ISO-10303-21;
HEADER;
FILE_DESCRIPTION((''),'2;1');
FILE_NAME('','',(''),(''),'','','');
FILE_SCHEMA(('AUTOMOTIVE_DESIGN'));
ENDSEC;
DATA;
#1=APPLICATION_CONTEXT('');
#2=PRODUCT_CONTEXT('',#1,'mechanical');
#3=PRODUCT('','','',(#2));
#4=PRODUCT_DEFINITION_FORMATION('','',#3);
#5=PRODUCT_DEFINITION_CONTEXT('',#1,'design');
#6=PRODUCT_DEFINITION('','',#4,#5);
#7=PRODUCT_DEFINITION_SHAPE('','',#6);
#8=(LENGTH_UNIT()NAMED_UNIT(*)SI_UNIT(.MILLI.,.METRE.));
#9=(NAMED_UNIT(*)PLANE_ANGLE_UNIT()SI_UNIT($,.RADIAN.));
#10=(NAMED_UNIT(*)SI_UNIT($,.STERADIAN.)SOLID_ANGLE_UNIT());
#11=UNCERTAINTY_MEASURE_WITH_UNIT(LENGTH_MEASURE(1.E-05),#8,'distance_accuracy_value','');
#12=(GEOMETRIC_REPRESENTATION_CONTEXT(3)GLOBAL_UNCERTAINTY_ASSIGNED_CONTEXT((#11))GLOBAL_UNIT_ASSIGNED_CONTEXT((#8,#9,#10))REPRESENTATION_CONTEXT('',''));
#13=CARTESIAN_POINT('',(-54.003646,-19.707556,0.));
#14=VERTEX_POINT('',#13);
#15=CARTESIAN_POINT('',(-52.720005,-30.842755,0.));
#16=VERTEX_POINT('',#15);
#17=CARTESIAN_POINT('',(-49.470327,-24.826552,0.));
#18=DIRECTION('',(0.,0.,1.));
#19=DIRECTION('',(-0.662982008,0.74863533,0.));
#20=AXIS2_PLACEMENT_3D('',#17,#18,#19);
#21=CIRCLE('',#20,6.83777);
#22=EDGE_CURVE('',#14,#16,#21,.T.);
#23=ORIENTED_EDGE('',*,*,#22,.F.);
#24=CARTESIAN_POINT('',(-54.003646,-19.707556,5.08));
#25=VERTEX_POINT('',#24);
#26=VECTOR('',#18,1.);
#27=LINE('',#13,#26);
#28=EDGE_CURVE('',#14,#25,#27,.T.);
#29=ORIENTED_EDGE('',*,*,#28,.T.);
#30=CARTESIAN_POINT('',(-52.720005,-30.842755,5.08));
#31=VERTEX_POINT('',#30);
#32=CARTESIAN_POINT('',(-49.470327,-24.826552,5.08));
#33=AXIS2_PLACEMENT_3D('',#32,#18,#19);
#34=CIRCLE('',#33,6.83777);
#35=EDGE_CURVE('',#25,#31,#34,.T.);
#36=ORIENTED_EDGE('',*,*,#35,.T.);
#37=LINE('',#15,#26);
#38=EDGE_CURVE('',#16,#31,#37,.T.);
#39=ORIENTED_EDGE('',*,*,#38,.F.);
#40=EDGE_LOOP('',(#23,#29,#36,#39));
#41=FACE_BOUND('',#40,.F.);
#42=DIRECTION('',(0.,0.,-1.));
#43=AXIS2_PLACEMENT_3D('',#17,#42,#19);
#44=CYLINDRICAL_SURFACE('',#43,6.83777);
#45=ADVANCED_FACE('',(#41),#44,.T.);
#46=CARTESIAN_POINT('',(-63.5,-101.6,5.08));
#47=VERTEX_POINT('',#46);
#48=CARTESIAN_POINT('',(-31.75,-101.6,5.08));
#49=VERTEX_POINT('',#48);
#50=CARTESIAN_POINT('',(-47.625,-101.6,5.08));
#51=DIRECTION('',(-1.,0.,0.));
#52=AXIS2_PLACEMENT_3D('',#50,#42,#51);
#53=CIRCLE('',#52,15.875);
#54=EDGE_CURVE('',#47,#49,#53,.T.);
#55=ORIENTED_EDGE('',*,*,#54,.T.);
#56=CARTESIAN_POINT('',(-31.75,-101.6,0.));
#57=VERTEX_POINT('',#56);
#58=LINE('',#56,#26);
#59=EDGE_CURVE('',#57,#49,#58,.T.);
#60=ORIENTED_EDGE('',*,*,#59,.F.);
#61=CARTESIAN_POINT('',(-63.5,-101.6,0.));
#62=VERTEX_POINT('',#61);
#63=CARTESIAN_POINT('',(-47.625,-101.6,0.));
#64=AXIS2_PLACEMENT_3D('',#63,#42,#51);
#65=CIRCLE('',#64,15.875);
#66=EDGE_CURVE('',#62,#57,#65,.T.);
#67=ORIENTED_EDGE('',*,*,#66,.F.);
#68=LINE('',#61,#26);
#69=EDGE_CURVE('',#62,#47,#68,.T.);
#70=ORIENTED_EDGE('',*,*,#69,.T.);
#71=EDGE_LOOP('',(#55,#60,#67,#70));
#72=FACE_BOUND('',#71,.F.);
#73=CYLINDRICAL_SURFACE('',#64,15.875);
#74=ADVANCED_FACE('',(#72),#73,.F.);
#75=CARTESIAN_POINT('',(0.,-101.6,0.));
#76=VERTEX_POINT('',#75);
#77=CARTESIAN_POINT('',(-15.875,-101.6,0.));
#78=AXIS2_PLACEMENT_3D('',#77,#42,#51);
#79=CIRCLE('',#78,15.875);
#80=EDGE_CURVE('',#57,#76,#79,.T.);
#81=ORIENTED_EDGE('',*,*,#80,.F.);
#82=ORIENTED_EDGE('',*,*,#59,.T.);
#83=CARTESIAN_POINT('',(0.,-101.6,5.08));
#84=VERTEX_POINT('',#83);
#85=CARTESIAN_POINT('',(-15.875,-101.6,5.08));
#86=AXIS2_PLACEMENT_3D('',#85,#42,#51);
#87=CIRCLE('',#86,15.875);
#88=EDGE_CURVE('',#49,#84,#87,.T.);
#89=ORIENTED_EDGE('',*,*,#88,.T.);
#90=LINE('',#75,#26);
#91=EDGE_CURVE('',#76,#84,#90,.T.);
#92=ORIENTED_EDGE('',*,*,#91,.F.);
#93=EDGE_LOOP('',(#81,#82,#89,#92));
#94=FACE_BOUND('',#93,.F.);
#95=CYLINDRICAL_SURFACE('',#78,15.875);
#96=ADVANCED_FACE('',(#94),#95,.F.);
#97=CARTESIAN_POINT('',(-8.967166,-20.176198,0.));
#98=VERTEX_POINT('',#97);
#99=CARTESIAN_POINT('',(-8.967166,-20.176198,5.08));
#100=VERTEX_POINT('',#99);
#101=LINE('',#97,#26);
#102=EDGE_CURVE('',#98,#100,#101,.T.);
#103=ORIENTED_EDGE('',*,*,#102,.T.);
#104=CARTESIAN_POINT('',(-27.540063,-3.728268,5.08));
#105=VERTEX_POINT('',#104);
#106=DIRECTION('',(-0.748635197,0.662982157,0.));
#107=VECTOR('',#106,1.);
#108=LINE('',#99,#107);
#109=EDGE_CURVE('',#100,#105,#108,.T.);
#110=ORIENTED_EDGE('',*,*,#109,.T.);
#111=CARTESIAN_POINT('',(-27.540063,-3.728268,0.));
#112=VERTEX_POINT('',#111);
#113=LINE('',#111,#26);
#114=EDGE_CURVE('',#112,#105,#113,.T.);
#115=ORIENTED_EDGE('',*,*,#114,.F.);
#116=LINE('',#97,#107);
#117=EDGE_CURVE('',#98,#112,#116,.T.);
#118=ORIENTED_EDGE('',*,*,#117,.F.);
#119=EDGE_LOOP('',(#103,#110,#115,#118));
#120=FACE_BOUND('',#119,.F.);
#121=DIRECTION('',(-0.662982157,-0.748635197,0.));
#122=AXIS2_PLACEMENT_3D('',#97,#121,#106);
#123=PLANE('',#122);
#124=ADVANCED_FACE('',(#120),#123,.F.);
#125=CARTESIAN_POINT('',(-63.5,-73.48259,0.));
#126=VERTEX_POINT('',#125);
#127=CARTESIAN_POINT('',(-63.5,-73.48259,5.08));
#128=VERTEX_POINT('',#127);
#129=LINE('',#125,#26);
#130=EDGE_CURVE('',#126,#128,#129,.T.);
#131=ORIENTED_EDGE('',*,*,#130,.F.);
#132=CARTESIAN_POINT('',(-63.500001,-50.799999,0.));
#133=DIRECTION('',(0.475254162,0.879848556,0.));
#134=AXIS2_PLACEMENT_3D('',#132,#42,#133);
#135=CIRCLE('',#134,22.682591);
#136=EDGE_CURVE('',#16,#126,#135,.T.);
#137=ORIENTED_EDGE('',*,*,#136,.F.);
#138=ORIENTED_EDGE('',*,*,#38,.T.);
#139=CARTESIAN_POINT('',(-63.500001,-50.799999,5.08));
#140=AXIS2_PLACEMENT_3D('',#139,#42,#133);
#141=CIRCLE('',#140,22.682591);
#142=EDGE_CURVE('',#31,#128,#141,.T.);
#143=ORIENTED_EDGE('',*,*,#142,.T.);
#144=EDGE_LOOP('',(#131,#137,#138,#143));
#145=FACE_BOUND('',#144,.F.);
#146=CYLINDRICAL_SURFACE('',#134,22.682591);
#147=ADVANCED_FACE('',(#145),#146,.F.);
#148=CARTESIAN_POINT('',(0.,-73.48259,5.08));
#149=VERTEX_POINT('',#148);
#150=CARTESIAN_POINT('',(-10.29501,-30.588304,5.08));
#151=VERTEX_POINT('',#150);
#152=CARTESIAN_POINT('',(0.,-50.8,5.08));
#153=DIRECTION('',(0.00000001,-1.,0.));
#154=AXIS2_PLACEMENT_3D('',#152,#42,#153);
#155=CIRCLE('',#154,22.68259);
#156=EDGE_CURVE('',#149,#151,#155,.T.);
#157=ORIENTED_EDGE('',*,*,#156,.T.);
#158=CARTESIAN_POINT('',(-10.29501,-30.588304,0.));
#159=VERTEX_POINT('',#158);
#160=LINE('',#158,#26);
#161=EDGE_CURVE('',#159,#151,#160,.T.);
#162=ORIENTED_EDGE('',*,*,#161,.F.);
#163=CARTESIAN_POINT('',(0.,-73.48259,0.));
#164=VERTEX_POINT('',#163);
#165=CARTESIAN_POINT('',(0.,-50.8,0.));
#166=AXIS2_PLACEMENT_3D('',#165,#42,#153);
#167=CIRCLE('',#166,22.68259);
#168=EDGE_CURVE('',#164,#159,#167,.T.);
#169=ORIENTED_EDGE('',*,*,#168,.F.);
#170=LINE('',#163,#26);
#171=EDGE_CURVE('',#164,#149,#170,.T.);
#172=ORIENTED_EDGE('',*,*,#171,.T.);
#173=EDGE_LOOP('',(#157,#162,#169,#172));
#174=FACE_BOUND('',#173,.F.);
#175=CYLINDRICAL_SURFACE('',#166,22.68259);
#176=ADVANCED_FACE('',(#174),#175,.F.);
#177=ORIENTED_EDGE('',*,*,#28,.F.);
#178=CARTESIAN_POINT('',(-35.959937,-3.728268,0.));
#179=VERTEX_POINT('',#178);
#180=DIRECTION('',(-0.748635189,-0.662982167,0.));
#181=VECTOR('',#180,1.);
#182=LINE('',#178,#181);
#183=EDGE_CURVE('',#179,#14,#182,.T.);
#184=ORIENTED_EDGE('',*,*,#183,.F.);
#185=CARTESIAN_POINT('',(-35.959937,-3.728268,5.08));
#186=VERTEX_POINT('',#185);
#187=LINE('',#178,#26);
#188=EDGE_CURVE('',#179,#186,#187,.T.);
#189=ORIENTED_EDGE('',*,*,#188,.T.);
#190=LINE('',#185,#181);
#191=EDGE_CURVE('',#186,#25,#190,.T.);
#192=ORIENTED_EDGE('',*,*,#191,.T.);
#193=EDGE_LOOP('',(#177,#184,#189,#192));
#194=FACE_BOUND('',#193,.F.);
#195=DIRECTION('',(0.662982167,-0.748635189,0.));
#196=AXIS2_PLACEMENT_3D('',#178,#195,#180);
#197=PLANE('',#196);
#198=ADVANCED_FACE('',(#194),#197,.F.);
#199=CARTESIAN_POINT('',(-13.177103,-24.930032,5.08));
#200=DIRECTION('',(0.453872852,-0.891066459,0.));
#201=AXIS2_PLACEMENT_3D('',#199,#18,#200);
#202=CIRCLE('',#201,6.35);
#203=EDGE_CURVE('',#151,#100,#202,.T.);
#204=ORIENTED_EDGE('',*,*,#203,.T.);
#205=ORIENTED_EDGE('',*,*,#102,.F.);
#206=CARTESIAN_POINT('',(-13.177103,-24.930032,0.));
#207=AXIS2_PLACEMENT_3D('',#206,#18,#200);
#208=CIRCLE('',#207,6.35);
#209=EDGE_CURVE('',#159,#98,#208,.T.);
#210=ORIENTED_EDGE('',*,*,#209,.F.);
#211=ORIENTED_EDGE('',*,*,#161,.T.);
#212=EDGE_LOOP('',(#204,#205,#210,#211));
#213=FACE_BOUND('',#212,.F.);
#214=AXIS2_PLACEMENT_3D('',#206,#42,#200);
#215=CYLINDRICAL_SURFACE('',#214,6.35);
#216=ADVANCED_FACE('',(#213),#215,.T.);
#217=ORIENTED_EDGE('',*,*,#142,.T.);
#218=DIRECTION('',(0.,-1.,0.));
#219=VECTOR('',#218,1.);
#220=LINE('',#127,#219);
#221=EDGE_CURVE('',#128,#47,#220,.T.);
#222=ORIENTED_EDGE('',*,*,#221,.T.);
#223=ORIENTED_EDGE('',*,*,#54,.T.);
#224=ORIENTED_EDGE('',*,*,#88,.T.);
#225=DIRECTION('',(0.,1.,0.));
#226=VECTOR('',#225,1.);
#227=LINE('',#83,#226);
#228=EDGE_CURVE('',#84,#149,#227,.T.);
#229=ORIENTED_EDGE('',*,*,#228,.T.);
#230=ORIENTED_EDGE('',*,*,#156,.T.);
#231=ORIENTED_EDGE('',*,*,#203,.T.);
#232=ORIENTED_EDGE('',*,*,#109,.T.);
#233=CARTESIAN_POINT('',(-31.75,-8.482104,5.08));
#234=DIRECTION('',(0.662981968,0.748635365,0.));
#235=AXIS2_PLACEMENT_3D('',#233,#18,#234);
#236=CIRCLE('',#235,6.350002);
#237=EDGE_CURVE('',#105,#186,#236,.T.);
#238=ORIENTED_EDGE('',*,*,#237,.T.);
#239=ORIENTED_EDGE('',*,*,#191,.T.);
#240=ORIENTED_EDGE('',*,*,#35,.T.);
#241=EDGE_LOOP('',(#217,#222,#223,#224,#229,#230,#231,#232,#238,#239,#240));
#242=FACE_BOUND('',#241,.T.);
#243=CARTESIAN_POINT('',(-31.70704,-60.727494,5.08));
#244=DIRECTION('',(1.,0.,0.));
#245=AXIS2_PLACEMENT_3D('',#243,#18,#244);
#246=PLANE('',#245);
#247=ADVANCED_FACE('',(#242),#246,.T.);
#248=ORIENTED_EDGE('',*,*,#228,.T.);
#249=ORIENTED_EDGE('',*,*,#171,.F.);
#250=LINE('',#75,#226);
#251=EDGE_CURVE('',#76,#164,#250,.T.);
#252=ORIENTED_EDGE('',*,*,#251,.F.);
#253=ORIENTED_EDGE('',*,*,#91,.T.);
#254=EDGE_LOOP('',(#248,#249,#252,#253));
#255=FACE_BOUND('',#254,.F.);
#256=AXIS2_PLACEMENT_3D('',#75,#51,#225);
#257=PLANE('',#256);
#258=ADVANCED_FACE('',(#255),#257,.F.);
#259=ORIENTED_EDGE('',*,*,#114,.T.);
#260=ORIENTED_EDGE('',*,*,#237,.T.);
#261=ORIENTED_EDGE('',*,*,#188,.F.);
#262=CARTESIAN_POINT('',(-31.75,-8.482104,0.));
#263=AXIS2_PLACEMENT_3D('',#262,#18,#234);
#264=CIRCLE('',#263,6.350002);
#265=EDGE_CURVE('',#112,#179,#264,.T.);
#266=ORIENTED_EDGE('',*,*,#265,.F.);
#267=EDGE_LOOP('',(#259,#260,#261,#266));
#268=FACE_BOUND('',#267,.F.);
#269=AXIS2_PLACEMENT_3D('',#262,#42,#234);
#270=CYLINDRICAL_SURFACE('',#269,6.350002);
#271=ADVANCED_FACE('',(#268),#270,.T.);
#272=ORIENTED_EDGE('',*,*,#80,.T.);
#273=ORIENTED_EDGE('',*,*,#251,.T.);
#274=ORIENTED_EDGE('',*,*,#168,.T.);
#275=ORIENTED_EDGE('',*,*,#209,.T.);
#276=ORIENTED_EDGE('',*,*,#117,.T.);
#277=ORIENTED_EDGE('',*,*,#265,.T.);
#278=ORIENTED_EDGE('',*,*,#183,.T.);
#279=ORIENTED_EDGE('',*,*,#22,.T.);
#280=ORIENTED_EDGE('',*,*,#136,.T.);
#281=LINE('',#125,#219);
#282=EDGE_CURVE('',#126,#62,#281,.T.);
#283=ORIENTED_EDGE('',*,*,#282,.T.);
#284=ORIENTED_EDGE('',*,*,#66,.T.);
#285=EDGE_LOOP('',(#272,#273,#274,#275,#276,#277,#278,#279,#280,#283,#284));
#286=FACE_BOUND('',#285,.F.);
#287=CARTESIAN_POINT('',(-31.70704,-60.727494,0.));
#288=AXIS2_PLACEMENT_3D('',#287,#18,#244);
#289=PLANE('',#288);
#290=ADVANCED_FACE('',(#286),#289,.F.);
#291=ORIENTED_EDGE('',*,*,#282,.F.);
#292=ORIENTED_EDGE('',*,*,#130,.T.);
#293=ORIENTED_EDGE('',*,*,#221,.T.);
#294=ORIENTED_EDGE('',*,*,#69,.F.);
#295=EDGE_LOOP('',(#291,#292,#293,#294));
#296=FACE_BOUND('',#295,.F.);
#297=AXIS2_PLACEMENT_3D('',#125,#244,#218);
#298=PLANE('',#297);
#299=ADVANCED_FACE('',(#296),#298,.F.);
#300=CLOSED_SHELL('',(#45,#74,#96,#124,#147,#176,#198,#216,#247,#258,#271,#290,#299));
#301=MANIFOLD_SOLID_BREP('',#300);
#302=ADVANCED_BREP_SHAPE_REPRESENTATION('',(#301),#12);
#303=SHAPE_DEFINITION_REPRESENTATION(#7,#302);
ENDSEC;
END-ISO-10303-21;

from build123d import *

# Parameters (mm, degrees)
F1_DEPTH = 5.08


with BuildPart() as f1:
    # F0 (on Top) → F1 (new body)
    with BuildSketch(Plane.XY):
        with BuildLine():
            ThreePointArc((-52.720005, -30.842755), (-41.509299, -56.359582), (-63.5, -73.48259))
            Line((-63.5, -73.48259), (-63.5, -101.6))
            ThreePointArc((-63.5, -101.6), (-47.625, -85.725), (-31.75, -101.6))
            ThreePointArc((-31.75, -101.6), (-15.875, -85.725), (0, -101.6))
            Line((0, -101.6), (0, -73.48259))
            ThreePointArc((0, -73.48259), (-22.056218, -56.093689), (-10.29501, -30.588304))
            ThreePointArc((-10.29501, -30.588304), (-6.878118, -25.733334), (-8.967166, -20.176198))
            Line((-8.967166, -20.176198), (-27.540063, -3.728268))
            ThreePointArc((-27.540063, -3.728268), (-31.75, -2.132102), (-35.959937, -3.728268))
            Line((-35.959937, -3.728268), (-54.003646, -19.707556))
            ThreePointArc((-54.003646, -19.707556), (-56.263112, -25.609609), (-52.720005, -30.842755))
        make_face()
    extrude(amount=F1_DEPTH)


solid = f1.part
